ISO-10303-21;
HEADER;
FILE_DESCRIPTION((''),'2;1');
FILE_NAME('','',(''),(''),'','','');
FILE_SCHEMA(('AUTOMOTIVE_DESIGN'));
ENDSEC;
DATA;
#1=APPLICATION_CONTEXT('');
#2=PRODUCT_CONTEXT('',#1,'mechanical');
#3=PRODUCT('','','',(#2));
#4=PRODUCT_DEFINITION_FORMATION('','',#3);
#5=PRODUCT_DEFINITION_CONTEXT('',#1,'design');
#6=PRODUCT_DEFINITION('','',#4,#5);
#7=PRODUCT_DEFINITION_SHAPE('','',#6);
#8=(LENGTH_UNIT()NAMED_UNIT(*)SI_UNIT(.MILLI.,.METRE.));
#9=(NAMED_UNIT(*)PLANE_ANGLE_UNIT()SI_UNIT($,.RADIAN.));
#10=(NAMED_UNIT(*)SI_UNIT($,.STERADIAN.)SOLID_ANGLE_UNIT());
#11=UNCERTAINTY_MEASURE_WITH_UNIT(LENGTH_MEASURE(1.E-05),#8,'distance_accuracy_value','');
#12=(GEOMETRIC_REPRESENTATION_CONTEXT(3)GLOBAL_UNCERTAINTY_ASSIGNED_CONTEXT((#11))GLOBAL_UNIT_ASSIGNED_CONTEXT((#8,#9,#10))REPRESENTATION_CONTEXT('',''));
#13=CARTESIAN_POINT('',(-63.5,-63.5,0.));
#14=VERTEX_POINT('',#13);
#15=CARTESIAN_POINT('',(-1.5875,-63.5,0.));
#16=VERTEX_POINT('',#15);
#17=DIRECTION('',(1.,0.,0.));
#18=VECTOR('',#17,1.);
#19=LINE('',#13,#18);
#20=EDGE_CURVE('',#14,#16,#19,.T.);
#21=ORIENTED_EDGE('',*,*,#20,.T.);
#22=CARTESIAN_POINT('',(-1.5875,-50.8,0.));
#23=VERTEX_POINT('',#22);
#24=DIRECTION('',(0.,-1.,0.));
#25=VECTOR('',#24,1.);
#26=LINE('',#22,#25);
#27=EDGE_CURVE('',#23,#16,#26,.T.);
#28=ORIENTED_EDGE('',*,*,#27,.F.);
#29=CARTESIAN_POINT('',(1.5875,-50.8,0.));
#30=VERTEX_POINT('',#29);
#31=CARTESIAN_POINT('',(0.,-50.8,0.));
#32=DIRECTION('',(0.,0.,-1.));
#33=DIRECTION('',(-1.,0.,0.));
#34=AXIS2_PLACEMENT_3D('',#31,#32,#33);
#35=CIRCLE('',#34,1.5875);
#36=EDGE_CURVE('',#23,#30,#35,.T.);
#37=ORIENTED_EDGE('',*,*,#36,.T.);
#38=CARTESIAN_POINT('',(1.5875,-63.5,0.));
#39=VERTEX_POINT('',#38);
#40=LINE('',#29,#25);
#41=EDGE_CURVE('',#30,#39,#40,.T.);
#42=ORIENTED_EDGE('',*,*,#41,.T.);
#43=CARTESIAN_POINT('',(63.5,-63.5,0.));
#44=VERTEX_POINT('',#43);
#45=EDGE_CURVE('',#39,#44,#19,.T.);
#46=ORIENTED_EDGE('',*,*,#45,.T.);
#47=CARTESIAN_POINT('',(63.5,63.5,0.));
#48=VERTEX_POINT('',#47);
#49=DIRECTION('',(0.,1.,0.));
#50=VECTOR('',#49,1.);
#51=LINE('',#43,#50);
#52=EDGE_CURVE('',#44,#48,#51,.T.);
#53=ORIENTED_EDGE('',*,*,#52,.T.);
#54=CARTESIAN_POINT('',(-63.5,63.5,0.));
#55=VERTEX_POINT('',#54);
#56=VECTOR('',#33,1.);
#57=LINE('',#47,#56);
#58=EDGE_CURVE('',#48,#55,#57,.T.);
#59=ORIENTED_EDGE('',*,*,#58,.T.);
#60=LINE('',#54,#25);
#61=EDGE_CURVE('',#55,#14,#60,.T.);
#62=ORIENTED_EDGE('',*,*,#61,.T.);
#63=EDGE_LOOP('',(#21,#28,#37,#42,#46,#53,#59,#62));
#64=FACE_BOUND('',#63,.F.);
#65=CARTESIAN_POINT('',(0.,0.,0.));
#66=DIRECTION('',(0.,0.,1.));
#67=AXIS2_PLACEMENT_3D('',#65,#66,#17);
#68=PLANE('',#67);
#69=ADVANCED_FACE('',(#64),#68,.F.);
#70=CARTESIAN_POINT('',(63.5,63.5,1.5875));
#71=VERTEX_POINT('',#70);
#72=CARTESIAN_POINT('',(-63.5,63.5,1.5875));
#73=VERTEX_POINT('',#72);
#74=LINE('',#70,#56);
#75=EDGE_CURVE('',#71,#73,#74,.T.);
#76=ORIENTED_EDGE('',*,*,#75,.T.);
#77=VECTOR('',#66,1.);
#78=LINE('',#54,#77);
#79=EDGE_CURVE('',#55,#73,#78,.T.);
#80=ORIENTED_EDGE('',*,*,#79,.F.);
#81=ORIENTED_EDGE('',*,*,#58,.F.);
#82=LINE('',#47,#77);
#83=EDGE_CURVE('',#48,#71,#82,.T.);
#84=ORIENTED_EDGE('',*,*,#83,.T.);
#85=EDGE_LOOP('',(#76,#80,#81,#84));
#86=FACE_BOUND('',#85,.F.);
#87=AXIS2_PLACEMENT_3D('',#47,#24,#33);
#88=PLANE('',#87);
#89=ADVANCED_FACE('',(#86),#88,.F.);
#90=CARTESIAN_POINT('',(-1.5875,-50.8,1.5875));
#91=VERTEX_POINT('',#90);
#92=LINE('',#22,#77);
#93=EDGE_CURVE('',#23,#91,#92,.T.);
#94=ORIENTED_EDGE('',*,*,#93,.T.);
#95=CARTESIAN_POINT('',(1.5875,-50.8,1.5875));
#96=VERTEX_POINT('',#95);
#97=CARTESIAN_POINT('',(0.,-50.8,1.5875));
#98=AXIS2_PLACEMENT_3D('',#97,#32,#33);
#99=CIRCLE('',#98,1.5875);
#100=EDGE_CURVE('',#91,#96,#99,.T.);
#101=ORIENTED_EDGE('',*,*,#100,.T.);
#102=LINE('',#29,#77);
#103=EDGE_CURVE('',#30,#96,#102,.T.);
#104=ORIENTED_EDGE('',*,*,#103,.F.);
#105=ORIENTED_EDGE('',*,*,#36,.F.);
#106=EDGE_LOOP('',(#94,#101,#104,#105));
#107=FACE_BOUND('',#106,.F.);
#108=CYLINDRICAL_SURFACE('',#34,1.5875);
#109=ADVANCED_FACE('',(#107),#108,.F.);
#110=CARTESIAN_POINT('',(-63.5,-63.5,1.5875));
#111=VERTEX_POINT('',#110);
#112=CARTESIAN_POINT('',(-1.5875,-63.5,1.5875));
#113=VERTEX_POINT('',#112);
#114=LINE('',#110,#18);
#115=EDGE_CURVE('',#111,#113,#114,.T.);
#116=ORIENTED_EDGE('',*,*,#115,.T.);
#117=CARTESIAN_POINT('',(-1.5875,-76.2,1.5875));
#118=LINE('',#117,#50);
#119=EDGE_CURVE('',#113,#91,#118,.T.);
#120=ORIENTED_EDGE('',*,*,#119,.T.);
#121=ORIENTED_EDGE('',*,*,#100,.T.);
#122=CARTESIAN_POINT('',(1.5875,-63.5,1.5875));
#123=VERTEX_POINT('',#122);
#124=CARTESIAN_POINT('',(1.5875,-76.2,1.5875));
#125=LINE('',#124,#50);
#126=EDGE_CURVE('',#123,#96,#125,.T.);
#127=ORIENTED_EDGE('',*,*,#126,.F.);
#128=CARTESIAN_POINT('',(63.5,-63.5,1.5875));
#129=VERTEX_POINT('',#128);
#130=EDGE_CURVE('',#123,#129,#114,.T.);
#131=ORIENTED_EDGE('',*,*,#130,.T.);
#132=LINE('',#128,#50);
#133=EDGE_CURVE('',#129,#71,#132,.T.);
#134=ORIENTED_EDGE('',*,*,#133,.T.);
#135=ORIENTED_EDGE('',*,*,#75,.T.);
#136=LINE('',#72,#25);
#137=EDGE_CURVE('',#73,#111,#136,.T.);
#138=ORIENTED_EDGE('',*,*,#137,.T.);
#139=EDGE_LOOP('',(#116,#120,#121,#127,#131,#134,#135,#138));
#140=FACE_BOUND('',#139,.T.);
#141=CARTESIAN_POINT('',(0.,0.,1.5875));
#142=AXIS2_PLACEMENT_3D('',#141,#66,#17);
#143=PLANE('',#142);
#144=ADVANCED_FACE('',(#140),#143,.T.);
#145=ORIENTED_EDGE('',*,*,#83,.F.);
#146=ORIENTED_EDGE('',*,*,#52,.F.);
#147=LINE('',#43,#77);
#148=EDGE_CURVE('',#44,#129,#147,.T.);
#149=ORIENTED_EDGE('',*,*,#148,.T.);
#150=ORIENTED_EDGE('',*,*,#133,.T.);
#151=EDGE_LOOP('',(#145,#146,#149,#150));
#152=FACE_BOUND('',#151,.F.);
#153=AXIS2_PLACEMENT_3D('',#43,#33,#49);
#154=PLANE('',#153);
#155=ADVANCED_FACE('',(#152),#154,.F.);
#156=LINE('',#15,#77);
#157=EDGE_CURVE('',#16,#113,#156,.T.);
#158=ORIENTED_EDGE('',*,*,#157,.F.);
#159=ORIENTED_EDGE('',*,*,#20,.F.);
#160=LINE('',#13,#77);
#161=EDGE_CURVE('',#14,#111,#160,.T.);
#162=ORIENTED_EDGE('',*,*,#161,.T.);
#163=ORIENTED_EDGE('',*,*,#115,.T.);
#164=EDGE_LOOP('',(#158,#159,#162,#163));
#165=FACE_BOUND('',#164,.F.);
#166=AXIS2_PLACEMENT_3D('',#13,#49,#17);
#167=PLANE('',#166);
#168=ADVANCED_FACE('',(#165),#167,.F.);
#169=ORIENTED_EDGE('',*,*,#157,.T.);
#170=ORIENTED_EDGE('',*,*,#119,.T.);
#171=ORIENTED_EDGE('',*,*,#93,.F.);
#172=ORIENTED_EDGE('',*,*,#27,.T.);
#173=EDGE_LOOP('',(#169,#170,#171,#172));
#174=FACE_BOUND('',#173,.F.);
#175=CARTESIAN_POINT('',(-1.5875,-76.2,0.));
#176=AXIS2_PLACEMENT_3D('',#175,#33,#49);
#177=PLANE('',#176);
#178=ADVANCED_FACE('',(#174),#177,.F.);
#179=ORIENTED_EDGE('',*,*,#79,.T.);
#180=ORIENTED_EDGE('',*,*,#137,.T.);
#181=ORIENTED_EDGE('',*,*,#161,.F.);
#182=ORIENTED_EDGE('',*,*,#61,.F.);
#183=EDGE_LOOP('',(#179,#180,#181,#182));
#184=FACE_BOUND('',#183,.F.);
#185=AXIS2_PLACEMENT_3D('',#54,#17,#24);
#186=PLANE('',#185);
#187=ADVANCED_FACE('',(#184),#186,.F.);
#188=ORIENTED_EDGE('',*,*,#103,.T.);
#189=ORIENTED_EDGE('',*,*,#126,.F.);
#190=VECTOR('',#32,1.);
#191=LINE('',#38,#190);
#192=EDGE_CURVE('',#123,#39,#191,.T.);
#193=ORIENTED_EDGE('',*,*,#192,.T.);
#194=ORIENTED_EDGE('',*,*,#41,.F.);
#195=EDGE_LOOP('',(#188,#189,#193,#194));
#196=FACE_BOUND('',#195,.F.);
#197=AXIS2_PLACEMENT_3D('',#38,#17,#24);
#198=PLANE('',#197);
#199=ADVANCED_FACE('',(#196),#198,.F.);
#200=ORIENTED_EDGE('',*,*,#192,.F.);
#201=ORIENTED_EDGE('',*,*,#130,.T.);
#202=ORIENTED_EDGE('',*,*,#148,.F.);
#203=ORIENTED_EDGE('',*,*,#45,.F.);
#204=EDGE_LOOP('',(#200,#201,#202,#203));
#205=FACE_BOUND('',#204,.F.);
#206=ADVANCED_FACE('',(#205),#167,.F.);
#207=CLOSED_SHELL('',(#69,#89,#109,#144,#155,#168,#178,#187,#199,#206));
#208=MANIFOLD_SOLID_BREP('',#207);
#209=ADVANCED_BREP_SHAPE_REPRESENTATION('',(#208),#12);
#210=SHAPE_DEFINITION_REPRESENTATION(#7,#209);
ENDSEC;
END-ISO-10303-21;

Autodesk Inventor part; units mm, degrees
ref_plane "YZ Plane" through (0, 0, 0) normal (1, 0, 0) x (0, 1, 0)
ref_plane "XZ Plane" through (0, 0, 0) normal (0, 1, 0) x (-1, 0, 0)
ref_plane "XY Plane" through (0, 0, 0) normal (0, 0, 1) x (1, 0, 0)
sketch "Sketch1" plane through (0, 0, 0) normal (0, 0, 1) x (1, 0, 0)
  line L0 (-63.5, -63.5) -> (63.5, -63.5)
  line L1 (63.5, -63.5) -> (63.5, 63.5)
  line L2 (63.5, 63.5) -> (-63.5, 63.5)
  line L3 (-63.5, 63.5) -> (-63.5, -63.5)
  line L4 (-63.5, -63.5) -> (63.5, 63.5) construction
  line L5 (63.5, -63.5) -> (-63.5, 63.5) construction
  point P0 (0, 0)
  dimension "d0" = 127
  dimension "d1" = 127
extrude "Extrusion1" add sketch "Sketch1" along normal blind 1.5875
sketch "Sketch2" plane through (0, 0, 0) normal (0, 0, -1) x (-1, 0, 0)
  line L0 (0, -76.2) -> (0, -50.8) construction
  line L1 (63.5, -63.5) -> (-63.5, -63.5) projected
  line L2 (1.5875, -76.2) -> (1.5875, -50.8)
  line L3 (-1.5875, -50.8) -> (-1.5875, -76.2)
  arc A0 (-1.5875, -76.2) -> (1.5875, -76.2) centre (0, -76.2) ccw
  arc A1 (1.5875, -50.8) -> (-1.5875, -50.8) centre (0, -50.8) ccw
  point P0 (0, 0)
  point P1 (0, -63.5)
  dimension "d4" = 12.7
  dimension "d5" = 3.175
extrude "Extrusion2" cut sketch "Sketch2" against normal blind 1.5875
properties part number "mask template"
